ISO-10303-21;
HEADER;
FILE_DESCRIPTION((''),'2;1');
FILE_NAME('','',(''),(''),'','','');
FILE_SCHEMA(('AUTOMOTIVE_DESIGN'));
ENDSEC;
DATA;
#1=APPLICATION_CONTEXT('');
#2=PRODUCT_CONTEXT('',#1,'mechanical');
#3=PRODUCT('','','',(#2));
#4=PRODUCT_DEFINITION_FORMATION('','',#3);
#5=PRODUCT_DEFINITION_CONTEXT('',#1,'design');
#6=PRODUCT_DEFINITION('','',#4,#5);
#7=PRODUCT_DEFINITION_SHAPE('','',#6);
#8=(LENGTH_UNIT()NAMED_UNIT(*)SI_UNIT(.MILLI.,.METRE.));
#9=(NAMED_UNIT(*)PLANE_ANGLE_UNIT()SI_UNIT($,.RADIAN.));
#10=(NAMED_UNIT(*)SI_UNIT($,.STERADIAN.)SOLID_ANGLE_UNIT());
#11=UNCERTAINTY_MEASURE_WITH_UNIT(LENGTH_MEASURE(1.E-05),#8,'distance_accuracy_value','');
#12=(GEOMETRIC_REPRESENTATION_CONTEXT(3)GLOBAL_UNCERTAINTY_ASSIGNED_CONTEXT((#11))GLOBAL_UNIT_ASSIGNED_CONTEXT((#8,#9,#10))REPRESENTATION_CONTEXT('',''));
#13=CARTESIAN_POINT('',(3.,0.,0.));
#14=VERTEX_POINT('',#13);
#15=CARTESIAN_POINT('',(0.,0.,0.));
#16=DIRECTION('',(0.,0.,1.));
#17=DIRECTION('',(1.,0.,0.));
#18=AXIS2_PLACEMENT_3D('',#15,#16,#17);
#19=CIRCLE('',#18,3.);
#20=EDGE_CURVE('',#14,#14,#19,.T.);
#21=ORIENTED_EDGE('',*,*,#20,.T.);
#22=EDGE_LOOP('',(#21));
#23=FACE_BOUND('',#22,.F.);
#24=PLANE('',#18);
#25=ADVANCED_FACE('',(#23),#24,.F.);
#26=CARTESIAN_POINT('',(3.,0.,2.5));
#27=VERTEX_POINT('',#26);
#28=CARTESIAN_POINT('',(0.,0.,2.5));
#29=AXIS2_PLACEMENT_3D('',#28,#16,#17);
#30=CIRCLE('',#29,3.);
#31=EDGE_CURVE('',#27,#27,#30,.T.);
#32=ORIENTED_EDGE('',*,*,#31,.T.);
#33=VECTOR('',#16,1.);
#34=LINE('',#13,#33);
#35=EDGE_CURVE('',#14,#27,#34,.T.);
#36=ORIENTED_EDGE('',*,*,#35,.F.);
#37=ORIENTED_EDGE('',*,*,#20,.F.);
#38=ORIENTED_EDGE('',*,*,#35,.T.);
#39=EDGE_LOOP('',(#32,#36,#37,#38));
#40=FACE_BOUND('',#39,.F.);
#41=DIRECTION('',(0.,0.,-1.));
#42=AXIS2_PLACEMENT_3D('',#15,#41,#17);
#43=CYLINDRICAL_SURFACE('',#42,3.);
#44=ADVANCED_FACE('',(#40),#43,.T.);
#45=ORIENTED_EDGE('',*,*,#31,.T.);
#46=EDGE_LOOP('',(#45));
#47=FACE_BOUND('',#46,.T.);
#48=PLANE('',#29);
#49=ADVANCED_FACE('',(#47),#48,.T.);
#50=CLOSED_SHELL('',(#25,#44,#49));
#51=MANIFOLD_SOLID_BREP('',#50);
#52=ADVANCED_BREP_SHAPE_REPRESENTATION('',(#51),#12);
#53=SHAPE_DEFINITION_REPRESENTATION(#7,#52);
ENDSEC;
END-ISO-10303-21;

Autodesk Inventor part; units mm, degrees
ref_plane "YZ Plane" through (0, 0, 0) normal (1, 0, 0) x (0, 1, 0)
ref_plane "XZ Plane" through (0, 0, 0) normal (0, 1, 0) x (-1, 0, 0)
ref_plane "XY Plane" through (0, 0, 0) normal (0, 0, 1) x (1, 0, 0)
sketch "Skizze1" plane through (0, 0, 0) normal (0, 0, 1) x (1, 0, 0)
  circle A0 centre (0, 0) radius 3
  dimension "d0" = 6
extrude "Extrusion1" add sketch "Skizze1" along normal blind 2.5
properties part number "Magnet"
